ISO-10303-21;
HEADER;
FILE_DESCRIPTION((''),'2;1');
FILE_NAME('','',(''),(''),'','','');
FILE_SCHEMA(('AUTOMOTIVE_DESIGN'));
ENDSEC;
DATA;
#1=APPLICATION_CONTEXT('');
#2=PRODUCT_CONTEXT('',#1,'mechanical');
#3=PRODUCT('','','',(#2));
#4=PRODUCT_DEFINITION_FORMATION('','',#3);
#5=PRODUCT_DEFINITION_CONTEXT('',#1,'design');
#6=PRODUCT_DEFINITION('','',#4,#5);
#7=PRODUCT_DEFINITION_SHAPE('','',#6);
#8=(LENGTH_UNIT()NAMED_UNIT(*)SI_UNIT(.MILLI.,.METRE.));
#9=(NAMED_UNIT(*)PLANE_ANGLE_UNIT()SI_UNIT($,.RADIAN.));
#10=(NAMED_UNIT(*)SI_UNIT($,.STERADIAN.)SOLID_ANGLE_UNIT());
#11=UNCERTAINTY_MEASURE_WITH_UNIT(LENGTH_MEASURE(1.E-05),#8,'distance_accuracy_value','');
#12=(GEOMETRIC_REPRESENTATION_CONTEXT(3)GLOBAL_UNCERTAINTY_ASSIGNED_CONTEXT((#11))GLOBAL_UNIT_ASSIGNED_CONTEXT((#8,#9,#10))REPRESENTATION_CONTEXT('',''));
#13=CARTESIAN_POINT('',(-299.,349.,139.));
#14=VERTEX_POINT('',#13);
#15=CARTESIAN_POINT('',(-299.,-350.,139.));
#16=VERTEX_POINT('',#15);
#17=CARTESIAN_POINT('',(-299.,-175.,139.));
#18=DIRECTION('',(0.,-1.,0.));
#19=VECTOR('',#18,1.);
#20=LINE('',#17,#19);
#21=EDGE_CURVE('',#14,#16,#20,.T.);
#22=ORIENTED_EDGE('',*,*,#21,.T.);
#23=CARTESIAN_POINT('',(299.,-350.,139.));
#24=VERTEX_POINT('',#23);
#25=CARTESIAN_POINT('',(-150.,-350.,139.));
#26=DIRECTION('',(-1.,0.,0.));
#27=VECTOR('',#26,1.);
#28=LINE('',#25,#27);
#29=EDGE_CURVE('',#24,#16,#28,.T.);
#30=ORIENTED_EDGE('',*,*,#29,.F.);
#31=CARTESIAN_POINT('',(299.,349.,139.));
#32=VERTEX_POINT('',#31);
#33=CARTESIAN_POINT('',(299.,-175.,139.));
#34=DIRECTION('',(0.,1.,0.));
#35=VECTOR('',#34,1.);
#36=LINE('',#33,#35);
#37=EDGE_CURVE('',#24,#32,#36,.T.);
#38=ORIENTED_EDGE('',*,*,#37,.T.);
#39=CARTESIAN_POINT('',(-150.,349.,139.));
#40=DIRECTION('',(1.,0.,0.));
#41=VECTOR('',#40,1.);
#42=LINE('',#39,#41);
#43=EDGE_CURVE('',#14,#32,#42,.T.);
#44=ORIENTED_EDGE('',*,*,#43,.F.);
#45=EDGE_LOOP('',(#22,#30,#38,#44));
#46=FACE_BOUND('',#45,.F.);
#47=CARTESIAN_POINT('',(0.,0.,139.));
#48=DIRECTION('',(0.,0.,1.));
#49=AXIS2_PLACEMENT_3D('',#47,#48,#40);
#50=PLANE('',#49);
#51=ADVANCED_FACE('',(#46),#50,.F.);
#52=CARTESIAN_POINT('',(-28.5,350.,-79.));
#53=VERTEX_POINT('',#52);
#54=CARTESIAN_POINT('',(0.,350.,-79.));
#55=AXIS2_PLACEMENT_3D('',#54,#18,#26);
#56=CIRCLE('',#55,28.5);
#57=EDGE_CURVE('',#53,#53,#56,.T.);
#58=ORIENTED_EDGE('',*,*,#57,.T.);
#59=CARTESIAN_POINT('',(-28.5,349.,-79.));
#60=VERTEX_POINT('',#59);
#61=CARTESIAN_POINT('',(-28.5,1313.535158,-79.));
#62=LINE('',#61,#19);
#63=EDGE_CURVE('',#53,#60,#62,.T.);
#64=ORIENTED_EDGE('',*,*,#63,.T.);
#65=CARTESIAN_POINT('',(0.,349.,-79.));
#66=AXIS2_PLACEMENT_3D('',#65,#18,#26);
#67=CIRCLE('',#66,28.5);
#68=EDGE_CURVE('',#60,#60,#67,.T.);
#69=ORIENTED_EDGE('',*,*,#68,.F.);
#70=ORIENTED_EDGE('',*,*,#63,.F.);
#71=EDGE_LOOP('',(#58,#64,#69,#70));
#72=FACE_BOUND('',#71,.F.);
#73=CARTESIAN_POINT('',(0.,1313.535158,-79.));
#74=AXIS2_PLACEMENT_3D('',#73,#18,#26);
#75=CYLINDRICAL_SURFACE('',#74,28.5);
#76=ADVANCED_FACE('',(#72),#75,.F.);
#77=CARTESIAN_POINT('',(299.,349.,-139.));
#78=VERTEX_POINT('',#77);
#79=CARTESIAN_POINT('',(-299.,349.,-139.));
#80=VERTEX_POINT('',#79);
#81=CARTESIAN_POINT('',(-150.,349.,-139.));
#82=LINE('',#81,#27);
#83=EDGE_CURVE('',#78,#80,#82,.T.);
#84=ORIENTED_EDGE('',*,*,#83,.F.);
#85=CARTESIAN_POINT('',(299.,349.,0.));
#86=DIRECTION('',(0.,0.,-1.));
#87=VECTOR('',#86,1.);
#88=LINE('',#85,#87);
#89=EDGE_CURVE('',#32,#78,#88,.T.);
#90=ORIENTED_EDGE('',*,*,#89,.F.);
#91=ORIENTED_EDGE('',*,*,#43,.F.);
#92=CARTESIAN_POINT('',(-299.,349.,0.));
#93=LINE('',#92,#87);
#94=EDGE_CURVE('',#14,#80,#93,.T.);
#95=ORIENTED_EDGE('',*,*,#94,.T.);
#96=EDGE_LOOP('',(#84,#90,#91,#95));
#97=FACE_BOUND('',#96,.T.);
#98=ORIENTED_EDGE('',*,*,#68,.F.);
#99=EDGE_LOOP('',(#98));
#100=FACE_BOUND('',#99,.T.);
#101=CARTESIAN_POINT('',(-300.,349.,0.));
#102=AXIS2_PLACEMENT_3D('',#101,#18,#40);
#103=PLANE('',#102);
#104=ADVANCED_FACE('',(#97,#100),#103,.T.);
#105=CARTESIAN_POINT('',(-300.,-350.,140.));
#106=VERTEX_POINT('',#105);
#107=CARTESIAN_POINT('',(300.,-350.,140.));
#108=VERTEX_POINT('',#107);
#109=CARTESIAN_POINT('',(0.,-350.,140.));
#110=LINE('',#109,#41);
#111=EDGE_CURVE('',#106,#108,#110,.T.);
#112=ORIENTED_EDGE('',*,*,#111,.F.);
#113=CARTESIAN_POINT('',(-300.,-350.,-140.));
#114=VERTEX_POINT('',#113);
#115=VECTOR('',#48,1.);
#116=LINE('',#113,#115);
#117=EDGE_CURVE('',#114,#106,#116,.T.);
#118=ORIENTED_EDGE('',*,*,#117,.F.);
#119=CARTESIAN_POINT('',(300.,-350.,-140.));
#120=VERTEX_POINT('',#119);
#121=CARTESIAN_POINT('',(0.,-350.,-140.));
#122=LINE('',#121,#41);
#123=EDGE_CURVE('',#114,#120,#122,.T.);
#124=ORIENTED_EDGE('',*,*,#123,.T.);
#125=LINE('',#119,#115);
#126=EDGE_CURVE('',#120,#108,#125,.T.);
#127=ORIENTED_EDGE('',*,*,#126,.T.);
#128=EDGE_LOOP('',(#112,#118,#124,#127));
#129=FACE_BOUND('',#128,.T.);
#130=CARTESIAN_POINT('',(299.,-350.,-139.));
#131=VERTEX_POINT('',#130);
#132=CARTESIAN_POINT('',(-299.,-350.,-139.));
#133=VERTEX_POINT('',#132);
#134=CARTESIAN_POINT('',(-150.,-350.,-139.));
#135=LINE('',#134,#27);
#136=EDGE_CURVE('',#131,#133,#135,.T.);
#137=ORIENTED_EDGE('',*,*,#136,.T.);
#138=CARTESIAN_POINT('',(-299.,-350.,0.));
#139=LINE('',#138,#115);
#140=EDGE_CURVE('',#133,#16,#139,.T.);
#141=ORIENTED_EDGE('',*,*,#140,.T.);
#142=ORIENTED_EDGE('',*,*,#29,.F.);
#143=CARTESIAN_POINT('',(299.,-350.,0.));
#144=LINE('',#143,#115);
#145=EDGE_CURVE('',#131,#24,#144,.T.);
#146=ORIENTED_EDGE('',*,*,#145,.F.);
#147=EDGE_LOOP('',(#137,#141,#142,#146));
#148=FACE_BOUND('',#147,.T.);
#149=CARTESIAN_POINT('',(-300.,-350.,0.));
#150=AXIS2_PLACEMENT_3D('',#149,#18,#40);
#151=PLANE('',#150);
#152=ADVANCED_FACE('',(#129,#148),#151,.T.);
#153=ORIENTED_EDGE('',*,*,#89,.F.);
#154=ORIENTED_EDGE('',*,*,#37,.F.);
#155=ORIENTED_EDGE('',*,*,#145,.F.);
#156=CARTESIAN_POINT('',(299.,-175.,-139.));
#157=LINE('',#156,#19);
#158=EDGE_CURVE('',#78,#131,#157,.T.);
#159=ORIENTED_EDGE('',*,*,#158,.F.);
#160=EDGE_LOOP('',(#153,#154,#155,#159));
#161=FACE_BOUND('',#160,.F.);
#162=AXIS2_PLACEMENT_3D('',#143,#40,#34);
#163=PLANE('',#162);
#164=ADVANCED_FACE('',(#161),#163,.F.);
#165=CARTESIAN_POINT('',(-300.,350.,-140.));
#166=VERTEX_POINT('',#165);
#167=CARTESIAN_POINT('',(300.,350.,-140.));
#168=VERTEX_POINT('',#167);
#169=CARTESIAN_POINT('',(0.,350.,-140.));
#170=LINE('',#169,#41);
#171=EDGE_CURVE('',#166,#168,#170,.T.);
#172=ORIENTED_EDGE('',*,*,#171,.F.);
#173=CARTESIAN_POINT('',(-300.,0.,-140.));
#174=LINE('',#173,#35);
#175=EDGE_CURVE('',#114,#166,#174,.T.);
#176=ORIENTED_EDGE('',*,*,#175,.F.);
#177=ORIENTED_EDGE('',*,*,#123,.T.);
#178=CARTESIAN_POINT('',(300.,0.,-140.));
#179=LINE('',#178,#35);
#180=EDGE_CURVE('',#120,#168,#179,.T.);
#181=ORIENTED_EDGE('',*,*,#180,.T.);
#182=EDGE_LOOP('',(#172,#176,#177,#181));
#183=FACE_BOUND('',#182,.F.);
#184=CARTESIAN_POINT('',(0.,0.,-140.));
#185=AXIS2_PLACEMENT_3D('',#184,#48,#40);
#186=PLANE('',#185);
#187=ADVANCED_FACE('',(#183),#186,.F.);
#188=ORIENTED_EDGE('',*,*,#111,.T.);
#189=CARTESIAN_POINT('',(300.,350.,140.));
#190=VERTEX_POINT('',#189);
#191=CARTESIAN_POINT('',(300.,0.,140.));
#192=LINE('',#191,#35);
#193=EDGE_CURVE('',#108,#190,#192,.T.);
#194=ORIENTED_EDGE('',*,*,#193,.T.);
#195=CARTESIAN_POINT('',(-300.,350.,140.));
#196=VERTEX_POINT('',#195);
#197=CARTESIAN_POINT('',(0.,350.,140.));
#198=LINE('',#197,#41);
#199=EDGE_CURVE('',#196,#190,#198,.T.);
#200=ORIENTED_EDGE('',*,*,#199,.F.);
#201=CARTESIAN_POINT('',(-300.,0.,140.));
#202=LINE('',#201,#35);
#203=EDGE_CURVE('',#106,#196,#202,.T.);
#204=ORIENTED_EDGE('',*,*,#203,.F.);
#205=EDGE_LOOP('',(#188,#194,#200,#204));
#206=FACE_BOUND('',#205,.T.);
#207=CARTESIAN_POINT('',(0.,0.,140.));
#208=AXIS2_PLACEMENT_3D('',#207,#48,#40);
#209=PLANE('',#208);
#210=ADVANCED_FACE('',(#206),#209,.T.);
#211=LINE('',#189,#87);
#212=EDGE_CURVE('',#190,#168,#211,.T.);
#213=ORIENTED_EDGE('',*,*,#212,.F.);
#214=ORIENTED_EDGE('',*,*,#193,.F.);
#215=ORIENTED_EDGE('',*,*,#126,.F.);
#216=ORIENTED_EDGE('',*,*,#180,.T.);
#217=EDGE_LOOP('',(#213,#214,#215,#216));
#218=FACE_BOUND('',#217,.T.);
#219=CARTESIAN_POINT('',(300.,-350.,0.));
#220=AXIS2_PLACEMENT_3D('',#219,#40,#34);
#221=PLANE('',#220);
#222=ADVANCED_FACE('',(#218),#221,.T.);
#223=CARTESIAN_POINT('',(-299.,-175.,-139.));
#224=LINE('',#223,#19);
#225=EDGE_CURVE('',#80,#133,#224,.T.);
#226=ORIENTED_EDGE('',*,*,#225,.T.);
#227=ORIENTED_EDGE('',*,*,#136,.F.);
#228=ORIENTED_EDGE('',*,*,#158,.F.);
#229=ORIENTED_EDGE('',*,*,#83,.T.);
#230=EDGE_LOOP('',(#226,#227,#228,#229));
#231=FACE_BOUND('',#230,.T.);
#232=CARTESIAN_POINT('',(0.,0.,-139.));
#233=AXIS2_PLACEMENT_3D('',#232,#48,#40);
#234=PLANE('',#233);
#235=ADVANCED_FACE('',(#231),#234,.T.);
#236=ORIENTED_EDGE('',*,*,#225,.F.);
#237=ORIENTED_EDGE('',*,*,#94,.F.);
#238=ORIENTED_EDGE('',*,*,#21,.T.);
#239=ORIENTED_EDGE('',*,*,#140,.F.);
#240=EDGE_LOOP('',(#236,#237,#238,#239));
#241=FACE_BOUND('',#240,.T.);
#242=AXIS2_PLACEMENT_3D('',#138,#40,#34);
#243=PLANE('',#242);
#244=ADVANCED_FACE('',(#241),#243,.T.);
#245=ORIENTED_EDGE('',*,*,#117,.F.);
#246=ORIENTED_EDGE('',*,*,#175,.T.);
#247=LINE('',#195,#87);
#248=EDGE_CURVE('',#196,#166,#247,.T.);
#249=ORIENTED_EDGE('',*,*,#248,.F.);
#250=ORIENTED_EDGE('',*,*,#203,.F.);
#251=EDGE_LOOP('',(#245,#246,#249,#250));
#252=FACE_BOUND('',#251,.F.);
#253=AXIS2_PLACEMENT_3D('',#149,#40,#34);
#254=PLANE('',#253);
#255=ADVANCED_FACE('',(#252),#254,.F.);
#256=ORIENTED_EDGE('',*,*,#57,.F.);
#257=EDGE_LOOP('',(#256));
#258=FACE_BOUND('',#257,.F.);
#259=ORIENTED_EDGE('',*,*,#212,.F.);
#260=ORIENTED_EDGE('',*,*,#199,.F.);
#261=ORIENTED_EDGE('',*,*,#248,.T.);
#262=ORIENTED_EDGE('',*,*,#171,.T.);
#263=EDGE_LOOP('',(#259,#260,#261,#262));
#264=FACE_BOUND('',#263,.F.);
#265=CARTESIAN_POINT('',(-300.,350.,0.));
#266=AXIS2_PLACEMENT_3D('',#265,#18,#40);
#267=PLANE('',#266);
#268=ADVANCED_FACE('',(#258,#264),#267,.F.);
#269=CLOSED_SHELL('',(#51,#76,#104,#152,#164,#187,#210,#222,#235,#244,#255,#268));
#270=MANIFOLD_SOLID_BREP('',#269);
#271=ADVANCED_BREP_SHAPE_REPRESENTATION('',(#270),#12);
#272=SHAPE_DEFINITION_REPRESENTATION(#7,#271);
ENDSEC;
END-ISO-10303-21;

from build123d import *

# Parameters (mm, degrees)
SKETCH_1_W      = 600
SKETCH_1_H      = 700
EXTRUDE_1_DEPTH = 140
SHELL_1_T       = -1
HOLE_WIZARD_1_D = 57


with BuildPart() as part:
    # 草图1 → 凸台-拉伸1 (new, symmetric)
    with BuildSketch(Plane.XY):
        Rectangle(SKETCH_1_W, SKETCH_1_H)
    extrude(amount=EXTRUDE_1_DEPTH, both=True)

    # 抽壳1
    shell_1_openings = [part.faces().sort_by_distance(p)[0] for p in [
        (0, -350, 0),
    ]]
    offset(amount=SHELL_1_T, openings=shell_1_openings, kind=Kind.INTERSECTION)

    # 孔1 (through all)
    with Locations(Plane(origin=(0, 350, 0), x_dir=(1, 0, 0), z_dir=(0, 1, 0))):
        with Locations((0, 79)):
            Hole(HOLE_WIZARD_1_D / 2)


solid = part.part
